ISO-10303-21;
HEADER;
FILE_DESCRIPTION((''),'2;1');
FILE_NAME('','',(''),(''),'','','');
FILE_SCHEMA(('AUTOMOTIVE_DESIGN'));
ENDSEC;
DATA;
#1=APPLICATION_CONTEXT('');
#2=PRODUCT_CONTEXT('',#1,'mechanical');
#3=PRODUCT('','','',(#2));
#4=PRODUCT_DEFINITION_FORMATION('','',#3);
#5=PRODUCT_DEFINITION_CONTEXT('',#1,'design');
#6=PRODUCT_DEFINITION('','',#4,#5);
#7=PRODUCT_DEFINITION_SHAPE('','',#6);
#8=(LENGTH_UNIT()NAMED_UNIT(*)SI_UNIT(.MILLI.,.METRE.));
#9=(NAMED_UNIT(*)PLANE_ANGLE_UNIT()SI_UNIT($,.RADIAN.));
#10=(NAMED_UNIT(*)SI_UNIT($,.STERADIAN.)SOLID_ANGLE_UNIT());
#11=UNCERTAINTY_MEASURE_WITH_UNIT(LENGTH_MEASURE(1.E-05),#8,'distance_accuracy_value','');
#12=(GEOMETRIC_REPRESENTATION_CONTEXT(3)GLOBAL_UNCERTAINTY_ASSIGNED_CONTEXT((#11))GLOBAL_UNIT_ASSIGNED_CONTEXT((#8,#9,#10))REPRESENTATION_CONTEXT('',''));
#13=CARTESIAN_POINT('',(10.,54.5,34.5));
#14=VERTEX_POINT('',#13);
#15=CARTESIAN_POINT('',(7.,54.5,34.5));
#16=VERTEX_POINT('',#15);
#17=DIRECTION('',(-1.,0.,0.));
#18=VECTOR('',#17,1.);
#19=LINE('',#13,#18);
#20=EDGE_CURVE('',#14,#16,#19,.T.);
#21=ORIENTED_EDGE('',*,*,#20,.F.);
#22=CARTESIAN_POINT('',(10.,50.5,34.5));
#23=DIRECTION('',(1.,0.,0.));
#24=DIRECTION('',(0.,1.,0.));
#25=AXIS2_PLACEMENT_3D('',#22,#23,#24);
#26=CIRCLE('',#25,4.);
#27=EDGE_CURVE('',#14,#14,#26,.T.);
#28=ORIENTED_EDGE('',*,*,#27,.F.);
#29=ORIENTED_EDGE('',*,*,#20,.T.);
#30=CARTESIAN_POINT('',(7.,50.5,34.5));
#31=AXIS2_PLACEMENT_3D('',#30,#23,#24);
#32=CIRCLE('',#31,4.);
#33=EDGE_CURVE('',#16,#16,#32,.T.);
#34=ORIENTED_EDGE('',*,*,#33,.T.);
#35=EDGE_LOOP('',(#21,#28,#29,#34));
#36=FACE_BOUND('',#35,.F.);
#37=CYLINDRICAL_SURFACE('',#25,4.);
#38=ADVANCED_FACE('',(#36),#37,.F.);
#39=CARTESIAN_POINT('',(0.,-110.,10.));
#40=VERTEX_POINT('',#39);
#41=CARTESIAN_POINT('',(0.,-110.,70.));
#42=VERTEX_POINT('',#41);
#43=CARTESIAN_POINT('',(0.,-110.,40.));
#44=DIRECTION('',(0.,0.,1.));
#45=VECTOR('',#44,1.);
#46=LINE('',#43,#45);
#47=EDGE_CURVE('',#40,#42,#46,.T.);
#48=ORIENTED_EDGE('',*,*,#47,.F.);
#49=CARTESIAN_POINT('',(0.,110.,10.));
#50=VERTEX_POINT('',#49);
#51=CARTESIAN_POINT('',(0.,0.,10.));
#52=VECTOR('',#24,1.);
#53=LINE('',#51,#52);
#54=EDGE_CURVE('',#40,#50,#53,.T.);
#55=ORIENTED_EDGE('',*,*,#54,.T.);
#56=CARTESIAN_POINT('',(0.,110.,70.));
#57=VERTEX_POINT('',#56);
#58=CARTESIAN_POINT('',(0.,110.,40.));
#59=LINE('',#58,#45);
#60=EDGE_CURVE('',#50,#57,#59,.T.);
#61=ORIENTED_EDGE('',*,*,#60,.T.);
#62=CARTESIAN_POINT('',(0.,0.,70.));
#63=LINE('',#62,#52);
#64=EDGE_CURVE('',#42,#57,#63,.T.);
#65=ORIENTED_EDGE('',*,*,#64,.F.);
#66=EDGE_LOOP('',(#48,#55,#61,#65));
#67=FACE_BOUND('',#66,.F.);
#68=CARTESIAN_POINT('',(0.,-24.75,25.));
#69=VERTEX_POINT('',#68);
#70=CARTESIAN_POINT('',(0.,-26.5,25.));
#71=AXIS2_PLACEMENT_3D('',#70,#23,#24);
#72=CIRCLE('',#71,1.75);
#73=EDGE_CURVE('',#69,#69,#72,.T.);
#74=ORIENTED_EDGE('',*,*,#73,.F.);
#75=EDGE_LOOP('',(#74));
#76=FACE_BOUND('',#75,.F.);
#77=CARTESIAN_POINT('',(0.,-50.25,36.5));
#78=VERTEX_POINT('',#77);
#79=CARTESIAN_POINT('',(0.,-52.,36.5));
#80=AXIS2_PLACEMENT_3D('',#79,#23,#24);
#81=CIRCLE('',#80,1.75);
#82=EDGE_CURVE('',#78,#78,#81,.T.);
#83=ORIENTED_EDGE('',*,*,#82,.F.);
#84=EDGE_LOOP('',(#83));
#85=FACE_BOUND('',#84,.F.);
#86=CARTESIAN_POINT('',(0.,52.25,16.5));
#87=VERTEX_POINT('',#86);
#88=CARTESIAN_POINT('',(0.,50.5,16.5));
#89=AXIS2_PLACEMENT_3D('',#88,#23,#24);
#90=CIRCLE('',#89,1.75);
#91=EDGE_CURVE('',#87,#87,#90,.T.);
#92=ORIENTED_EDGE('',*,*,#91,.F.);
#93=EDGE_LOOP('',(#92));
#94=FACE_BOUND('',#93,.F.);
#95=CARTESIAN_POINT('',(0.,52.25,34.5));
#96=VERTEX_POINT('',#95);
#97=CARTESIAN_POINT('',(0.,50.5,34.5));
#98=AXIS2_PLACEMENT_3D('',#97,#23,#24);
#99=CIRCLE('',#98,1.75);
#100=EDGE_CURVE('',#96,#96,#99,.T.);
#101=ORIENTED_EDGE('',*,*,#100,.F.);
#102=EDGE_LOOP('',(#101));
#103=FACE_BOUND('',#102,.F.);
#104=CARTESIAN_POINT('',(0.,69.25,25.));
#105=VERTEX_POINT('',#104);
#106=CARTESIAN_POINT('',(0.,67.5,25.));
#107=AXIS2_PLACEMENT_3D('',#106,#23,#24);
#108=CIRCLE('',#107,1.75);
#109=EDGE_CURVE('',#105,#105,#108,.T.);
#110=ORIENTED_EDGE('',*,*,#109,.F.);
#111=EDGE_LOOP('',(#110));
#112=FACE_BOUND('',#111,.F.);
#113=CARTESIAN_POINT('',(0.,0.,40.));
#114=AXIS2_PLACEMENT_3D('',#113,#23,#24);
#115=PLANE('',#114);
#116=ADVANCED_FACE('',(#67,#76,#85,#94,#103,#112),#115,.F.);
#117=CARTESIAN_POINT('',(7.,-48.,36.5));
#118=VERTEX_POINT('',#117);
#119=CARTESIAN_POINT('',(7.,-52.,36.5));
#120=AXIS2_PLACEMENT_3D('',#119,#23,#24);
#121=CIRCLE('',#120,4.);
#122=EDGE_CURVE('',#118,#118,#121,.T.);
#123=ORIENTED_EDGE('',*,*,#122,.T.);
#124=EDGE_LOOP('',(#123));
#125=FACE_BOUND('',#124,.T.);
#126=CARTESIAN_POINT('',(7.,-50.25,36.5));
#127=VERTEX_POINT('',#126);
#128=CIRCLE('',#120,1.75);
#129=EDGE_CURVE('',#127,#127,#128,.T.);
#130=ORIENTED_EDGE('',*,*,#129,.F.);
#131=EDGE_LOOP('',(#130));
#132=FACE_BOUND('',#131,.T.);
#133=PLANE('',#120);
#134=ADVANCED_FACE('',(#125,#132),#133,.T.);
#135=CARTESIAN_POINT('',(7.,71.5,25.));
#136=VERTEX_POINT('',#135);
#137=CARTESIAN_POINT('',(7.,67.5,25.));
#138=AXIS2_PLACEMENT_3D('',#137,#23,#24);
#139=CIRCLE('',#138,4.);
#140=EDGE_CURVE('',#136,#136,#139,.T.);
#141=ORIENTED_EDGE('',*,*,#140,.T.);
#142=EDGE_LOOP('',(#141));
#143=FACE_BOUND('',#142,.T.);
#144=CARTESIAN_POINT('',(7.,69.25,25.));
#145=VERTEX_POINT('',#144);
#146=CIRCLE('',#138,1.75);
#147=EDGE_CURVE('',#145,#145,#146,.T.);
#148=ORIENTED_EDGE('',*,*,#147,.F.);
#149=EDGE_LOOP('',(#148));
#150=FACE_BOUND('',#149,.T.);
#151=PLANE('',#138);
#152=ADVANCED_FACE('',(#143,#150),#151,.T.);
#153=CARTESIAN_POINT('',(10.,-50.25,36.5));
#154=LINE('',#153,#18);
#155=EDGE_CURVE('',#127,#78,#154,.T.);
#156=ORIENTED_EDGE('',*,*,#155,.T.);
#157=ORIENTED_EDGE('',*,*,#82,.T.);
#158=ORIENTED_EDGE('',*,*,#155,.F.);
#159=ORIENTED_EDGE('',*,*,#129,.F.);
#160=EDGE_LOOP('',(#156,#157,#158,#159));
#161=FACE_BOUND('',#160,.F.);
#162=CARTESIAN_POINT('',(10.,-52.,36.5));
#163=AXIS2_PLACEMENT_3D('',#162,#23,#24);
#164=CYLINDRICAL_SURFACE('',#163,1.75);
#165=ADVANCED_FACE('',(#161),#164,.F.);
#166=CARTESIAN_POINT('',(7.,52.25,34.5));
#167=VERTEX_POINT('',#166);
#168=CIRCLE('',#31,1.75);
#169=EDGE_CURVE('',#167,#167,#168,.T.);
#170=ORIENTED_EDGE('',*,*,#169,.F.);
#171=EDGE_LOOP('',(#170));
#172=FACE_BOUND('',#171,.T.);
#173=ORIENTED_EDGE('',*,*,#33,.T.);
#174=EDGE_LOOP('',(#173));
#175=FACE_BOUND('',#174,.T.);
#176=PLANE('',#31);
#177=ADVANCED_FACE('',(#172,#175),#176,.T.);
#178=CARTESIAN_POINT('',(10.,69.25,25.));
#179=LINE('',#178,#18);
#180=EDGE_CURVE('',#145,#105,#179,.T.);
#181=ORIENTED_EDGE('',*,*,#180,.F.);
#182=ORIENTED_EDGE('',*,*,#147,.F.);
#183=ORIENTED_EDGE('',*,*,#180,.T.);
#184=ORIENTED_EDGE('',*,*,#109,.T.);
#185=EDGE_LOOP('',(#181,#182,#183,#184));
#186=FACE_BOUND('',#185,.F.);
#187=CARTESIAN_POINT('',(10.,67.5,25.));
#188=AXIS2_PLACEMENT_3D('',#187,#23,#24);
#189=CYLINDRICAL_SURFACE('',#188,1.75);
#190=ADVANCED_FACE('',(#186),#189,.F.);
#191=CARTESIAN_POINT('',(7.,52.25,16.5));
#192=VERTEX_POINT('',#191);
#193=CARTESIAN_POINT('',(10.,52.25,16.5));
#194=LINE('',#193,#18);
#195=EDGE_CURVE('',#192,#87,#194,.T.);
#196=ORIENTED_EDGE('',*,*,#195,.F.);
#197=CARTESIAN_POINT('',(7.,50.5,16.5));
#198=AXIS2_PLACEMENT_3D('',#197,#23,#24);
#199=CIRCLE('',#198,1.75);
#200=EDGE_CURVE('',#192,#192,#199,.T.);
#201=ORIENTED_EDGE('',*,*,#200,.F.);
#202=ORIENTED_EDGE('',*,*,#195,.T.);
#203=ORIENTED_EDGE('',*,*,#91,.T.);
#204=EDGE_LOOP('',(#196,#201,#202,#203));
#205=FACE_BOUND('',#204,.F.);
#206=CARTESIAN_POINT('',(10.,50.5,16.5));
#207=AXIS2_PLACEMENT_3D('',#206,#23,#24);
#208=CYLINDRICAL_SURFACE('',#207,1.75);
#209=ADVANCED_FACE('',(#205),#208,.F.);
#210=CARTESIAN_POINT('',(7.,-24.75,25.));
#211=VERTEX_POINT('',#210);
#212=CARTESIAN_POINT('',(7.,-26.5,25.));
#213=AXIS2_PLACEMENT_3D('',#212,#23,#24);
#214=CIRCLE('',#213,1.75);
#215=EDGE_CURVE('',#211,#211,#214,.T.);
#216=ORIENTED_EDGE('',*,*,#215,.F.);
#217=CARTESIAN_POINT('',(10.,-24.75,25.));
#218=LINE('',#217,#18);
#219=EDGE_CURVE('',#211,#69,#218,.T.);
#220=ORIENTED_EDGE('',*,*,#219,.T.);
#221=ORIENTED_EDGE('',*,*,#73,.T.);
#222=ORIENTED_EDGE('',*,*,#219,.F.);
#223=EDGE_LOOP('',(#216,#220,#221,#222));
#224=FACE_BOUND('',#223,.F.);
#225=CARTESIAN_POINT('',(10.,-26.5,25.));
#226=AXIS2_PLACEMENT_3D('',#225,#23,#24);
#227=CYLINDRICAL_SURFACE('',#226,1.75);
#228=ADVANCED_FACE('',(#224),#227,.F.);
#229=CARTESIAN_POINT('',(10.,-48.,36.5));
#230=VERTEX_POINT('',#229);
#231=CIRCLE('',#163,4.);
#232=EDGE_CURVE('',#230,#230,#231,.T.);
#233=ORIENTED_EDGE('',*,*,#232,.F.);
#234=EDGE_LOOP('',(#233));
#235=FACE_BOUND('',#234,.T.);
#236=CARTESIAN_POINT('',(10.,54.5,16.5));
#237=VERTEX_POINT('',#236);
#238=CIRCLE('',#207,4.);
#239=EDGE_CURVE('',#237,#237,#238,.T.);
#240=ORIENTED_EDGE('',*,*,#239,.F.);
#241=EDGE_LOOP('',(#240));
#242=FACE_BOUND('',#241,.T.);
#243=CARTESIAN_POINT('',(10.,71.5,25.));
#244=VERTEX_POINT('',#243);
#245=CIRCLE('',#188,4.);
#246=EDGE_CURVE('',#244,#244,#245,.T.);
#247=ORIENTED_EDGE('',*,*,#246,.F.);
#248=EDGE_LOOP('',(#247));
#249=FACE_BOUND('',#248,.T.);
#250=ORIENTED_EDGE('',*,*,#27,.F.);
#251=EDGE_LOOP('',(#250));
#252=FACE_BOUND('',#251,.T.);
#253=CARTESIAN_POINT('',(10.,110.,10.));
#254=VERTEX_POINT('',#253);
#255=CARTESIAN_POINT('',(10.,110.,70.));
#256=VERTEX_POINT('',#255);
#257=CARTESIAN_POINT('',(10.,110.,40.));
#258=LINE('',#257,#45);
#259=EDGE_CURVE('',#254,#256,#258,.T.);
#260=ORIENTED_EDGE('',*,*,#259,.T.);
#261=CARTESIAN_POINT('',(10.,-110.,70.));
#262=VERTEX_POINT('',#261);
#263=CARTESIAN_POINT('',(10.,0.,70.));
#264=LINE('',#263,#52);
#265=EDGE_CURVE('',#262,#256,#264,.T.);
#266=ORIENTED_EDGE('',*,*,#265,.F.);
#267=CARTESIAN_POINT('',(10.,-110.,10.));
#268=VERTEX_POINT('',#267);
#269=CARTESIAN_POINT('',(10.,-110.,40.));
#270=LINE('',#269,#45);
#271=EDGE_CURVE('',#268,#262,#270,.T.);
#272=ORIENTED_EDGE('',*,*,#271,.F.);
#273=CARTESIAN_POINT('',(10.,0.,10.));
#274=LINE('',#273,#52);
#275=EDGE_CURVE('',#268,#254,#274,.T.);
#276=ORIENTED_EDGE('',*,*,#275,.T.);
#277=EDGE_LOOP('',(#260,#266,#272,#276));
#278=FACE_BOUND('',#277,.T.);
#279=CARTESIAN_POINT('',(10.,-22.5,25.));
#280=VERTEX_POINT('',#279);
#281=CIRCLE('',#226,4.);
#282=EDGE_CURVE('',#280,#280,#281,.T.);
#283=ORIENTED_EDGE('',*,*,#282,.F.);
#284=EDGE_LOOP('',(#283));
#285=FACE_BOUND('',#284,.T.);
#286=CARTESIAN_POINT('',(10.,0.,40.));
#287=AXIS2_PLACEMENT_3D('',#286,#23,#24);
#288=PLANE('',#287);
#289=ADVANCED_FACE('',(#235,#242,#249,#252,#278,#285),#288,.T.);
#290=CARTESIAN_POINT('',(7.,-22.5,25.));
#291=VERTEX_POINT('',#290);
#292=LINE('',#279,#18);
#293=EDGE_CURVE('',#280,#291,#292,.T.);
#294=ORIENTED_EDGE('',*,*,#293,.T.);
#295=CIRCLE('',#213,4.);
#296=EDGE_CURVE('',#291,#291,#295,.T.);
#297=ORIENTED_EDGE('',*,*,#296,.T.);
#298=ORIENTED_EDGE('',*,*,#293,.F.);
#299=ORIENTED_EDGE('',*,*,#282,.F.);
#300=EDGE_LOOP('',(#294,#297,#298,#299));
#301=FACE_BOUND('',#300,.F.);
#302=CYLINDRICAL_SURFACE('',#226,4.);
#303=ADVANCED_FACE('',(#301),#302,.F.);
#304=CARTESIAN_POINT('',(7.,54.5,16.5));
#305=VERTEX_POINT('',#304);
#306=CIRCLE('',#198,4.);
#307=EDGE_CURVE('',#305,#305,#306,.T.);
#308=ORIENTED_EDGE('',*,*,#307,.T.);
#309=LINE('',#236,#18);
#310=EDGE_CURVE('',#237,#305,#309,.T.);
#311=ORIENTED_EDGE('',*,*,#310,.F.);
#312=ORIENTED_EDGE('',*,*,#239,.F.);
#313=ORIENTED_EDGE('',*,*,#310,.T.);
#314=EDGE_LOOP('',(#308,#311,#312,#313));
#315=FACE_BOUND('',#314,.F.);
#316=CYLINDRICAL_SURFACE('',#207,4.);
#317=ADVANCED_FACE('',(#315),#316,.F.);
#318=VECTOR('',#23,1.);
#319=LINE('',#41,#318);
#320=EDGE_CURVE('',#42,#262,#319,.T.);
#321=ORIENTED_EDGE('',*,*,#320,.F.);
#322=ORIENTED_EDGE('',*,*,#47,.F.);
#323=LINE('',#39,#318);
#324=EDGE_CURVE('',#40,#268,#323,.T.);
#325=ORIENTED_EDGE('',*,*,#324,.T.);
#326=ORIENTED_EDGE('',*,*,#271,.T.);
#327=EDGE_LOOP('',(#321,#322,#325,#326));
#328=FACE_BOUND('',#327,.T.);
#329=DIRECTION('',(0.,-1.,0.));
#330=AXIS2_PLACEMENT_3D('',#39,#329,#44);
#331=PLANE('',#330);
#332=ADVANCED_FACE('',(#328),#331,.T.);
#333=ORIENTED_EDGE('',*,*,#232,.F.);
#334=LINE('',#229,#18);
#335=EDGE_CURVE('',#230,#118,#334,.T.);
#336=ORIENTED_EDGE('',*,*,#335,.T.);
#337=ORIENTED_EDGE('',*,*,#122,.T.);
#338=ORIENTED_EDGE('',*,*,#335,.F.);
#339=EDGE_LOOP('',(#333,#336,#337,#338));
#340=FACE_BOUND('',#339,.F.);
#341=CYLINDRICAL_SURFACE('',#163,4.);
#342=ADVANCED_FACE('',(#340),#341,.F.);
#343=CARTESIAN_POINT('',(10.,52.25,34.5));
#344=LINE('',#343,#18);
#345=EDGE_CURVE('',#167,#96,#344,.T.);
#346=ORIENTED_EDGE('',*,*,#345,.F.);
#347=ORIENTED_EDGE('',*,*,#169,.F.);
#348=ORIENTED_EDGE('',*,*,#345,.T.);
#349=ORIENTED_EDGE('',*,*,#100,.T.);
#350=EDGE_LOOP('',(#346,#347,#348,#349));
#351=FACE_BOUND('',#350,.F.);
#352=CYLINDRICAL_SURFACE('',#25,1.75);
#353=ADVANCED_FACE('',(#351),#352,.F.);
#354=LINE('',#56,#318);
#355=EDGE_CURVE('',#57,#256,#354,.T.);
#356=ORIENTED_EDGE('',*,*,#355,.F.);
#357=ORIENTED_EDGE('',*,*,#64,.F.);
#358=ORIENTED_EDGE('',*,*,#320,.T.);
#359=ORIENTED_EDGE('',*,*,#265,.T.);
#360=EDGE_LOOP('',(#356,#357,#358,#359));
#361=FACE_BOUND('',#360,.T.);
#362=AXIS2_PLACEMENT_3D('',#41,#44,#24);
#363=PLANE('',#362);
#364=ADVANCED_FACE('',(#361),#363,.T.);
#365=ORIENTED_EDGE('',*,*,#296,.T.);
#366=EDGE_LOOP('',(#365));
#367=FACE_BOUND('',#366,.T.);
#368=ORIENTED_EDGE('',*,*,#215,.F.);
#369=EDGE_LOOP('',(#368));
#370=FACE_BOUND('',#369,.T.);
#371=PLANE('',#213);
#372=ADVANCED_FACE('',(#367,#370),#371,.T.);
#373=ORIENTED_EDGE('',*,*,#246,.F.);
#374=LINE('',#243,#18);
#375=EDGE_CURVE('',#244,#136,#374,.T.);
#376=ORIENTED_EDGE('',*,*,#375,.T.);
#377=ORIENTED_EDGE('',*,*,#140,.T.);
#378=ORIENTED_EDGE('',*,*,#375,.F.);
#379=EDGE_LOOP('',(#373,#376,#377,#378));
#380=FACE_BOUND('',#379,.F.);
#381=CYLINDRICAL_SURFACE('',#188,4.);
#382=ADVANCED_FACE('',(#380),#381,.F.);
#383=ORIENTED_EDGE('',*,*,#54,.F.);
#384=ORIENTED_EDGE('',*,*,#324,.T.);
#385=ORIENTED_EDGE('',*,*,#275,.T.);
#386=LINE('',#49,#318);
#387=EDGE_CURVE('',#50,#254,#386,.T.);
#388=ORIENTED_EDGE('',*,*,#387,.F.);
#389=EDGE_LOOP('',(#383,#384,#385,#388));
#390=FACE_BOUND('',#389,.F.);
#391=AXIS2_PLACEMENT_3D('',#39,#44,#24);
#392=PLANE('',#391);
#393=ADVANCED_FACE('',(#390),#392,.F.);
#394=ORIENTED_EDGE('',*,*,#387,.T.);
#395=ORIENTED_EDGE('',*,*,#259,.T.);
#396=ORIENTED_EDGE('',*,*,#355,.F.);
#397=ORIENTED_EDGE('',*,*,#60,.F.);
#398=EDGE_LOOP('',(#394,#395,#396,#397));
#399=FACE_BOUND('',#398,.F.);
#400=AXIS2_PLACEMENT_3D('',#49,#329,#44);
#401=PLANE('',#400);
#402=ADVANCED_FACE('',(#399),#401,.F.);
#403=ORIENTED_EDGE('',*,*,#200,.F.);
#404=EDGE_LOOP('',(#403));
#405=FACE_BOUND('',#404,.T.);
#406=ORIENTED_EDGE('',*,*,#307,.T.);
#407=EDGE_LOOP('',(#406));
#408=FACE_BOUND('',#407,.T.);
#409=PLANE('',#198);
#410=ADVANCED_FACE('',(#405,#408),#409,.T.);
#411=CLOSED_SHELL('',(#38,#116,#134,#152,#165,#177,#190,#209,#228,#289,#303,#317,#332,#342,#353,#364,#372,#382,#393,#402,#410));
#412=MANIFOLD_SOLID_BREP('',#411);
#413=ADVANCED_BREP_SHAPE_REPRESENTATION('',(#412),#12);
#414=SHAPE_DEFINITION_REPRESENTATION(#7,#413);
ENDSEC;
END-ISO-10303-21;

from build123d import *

# Parameters (mm, degrees)
SKETCH012_W          = 220
SKETCH012_H          = 60
PAD006_DEPTH         = 10
SKETCH017_R          = 1.75
POCKET010_DEPTH      = 10.001
POCKET010_DEPTH_BACK = 0.001
SKETCH018_R          = 4
POCKET011_DEPTH      = 3


with BuildPart() as part:
    # Sketch012 → Pad006 (new body)
    with BuildSketch(Plane.YZ):
        with Locations((0, 40)):
            Rectangle(SKETCH012_W, SKETCH012_H)
    extrude(amount=PAD006_DEPTH)

    # Sketch017 (on Face6 of Pad006) → Pocket010 (cut, two sides)
    with BuildSketch(Plane.YZ.offset(10)) as pocket010_sk:
        with Locations((-52, 36.5)):
            Circle(SKETCH017_R)
        with Locations((-26.5, 25)):
            Circle(SKETCH017_R)
        with Locations((50.5, 34.5)):
            Circle(SKETCH017_R)
        with Locations((50.5, 16.5)):
            Circle(SKETCH017_R)
        with Locations((67.5, 25)):
            Circle(SKETCH017_R)
    extrude(amount=-POCKET010_DEPTH, mode=Mode.SUBTRACT)
    extrude(pocket010_sk.sketch, amount=POCKET010_DEPTH_BACK, mode=Mode.SUBTRACT)

    # Sketch018 (on Face5 of Pocket010) → Pocket011 (cut)
    with BuildSketch(Plane.YZ.offset(10)):
        with Locations((-52, 36.5)):
            Circle(SKETCH018_R)
        with Locations((-26.5, 25)):
            Circle(SKETCH018_R)
        with Locations((50.5, 34.5)):
            Circle(SKETCH018_R)
        with Locations((50.5, 16.5)):
            Circle(SKETCH018_R)
        with Locations((67.5, 25)):
            Circle(SKETCH018_R)
    extrude(amount=-POCKET011_DEPTH, mode=Mode.SUBTRACT)


solid = part.part
